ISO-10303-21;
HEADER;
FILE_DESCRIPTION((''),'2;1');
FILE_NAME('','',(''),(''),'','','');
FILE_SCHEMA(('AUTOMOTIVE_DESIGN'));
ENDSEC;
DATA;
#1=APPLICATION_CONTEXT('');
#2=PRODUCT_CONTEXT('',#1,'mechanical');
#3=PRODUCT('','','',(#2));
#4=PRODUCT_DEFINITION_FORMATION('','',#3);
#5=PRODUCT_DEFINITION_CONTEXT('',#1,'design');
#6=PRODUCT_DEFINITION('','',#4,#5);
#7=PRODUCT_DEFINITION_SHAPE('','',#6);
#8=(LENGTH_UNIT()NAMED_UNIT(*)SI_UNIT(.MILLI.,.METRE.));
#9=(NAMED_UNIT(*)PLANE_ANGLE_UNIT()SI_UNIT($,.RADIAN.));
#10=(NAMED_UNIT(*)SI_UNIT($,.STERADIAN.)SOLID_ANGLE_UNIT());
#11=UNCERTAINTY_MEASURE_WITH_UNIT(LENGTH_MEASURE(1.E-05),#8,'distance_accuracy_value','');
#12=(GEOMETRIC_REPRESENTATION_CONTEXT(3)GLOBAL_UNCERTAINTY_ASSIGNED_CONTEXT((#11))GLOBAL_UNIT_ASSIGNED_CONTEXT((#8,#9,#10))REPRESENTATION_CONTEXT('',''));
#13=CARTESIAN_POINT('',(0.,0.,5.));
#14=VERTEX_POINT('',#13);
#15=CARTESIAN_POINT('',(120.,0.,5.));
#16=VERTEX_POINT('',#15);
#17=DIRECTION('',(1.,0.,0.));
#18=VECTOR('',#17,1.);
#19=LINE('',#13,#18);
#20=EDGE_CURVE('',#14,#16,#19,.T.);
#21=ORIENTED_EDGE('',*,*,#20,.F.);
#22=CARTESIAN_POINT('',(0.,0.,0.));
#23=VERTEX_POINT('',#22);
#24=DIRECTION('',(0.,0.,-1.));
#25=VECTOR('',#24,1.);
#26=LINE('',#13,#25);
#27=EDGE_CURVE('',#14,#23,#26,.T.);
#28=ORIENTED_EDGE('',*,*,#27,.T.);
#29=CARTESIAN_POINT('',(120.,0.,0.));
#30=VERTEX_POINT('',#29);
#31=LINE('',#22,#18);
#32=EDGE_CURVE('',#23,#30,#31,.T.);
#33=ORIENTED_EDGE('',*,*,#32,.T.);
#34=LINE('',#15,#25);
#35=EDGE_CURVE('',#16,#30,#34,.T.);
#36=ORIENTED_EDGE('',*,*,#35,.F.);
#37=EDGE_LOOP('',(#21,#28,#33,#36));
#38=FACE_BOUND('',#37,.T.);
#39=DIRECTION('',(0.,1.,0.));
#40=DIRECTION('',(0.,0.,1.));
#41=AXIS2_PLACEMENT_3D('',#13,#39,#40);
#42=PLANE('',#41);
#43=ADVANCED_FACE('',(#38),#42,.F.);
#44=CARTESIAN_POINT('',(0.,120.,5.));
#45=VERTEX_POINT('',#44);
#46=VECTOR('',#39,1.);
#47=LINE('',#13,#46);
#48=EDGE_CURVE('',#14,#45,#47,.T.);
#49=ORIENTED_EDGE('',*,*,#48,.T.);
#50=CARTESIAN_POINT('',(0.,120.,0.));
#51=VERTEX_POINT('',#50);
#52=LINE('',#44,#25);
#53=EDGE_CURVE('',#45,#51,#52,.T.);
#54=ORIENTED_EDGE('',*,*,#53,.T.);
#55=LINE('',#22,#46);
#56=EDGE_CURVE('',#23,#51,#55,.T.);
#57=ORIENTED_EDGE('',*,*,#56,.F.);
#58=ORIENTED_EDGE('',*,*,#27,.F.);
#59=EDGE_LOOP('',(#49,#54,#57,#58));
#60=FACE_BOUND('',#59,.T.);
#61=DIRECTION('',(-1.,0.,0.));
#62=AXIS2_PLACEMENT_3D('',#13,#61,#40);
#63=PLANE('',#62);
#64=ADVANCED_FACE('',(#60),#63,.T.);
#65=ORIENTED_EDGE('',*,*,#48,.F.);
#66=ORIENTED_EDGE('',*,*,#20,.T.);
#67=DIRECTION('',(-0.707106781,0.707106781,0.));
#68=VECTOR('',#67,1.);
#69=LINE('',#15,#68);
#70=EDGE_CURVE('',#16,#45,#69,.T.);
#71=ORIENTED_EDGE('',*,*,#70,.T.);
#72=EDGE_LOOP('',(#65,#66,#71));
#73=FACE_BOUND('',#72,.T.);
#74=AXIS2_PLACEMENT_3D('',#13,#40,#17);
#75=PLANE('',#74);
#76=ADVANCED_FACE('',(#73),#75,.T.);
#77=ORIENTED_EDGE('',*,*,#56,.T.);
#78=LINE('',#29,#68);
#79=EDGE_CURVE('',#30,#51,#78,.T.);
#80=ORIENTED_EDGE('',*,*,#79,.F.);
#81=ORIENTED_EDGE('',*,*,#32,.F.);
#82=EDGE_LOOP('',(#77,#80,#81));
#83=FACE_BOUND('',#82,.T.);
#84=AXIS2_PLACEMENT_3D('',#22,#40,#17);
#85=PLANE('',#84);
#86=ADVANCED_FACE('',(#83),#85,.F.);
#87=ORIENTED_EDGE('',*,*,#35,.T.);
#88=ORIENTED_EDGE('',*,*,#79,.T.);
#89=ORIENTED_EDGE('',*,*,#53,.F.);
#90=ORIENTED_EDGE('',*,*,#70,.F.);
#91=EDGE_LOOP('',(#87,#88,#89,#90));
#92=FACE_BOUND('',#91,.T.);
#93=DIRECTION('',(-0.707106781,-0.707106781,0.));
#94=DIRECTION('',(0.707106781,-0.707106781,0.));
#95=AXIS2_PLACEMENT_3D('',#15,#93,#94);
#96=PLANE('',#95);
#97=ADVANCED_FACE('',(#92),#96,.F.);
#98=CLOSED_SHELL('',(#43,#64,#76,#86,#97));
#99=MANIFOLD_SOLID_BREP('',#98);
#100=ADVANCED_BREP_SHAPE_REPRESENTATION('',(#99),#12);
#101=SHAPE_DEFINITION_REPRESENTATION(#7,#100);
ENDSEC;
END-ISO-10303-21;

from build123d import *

# Parameters (mm, degrees)
BOSS_EXTRUDE1_DEPTH = 5


with BuildPart() as part:
    # Sketch1 → Boss-Extrude1 (new body)
    with BuildSketch(Plane.XY):
        Polygon((0, 0), (0, 120), (120, 0), align=None)
    extrude(amount=BOSS_EXTRUDE1_DEPTH)


solid = part.part
